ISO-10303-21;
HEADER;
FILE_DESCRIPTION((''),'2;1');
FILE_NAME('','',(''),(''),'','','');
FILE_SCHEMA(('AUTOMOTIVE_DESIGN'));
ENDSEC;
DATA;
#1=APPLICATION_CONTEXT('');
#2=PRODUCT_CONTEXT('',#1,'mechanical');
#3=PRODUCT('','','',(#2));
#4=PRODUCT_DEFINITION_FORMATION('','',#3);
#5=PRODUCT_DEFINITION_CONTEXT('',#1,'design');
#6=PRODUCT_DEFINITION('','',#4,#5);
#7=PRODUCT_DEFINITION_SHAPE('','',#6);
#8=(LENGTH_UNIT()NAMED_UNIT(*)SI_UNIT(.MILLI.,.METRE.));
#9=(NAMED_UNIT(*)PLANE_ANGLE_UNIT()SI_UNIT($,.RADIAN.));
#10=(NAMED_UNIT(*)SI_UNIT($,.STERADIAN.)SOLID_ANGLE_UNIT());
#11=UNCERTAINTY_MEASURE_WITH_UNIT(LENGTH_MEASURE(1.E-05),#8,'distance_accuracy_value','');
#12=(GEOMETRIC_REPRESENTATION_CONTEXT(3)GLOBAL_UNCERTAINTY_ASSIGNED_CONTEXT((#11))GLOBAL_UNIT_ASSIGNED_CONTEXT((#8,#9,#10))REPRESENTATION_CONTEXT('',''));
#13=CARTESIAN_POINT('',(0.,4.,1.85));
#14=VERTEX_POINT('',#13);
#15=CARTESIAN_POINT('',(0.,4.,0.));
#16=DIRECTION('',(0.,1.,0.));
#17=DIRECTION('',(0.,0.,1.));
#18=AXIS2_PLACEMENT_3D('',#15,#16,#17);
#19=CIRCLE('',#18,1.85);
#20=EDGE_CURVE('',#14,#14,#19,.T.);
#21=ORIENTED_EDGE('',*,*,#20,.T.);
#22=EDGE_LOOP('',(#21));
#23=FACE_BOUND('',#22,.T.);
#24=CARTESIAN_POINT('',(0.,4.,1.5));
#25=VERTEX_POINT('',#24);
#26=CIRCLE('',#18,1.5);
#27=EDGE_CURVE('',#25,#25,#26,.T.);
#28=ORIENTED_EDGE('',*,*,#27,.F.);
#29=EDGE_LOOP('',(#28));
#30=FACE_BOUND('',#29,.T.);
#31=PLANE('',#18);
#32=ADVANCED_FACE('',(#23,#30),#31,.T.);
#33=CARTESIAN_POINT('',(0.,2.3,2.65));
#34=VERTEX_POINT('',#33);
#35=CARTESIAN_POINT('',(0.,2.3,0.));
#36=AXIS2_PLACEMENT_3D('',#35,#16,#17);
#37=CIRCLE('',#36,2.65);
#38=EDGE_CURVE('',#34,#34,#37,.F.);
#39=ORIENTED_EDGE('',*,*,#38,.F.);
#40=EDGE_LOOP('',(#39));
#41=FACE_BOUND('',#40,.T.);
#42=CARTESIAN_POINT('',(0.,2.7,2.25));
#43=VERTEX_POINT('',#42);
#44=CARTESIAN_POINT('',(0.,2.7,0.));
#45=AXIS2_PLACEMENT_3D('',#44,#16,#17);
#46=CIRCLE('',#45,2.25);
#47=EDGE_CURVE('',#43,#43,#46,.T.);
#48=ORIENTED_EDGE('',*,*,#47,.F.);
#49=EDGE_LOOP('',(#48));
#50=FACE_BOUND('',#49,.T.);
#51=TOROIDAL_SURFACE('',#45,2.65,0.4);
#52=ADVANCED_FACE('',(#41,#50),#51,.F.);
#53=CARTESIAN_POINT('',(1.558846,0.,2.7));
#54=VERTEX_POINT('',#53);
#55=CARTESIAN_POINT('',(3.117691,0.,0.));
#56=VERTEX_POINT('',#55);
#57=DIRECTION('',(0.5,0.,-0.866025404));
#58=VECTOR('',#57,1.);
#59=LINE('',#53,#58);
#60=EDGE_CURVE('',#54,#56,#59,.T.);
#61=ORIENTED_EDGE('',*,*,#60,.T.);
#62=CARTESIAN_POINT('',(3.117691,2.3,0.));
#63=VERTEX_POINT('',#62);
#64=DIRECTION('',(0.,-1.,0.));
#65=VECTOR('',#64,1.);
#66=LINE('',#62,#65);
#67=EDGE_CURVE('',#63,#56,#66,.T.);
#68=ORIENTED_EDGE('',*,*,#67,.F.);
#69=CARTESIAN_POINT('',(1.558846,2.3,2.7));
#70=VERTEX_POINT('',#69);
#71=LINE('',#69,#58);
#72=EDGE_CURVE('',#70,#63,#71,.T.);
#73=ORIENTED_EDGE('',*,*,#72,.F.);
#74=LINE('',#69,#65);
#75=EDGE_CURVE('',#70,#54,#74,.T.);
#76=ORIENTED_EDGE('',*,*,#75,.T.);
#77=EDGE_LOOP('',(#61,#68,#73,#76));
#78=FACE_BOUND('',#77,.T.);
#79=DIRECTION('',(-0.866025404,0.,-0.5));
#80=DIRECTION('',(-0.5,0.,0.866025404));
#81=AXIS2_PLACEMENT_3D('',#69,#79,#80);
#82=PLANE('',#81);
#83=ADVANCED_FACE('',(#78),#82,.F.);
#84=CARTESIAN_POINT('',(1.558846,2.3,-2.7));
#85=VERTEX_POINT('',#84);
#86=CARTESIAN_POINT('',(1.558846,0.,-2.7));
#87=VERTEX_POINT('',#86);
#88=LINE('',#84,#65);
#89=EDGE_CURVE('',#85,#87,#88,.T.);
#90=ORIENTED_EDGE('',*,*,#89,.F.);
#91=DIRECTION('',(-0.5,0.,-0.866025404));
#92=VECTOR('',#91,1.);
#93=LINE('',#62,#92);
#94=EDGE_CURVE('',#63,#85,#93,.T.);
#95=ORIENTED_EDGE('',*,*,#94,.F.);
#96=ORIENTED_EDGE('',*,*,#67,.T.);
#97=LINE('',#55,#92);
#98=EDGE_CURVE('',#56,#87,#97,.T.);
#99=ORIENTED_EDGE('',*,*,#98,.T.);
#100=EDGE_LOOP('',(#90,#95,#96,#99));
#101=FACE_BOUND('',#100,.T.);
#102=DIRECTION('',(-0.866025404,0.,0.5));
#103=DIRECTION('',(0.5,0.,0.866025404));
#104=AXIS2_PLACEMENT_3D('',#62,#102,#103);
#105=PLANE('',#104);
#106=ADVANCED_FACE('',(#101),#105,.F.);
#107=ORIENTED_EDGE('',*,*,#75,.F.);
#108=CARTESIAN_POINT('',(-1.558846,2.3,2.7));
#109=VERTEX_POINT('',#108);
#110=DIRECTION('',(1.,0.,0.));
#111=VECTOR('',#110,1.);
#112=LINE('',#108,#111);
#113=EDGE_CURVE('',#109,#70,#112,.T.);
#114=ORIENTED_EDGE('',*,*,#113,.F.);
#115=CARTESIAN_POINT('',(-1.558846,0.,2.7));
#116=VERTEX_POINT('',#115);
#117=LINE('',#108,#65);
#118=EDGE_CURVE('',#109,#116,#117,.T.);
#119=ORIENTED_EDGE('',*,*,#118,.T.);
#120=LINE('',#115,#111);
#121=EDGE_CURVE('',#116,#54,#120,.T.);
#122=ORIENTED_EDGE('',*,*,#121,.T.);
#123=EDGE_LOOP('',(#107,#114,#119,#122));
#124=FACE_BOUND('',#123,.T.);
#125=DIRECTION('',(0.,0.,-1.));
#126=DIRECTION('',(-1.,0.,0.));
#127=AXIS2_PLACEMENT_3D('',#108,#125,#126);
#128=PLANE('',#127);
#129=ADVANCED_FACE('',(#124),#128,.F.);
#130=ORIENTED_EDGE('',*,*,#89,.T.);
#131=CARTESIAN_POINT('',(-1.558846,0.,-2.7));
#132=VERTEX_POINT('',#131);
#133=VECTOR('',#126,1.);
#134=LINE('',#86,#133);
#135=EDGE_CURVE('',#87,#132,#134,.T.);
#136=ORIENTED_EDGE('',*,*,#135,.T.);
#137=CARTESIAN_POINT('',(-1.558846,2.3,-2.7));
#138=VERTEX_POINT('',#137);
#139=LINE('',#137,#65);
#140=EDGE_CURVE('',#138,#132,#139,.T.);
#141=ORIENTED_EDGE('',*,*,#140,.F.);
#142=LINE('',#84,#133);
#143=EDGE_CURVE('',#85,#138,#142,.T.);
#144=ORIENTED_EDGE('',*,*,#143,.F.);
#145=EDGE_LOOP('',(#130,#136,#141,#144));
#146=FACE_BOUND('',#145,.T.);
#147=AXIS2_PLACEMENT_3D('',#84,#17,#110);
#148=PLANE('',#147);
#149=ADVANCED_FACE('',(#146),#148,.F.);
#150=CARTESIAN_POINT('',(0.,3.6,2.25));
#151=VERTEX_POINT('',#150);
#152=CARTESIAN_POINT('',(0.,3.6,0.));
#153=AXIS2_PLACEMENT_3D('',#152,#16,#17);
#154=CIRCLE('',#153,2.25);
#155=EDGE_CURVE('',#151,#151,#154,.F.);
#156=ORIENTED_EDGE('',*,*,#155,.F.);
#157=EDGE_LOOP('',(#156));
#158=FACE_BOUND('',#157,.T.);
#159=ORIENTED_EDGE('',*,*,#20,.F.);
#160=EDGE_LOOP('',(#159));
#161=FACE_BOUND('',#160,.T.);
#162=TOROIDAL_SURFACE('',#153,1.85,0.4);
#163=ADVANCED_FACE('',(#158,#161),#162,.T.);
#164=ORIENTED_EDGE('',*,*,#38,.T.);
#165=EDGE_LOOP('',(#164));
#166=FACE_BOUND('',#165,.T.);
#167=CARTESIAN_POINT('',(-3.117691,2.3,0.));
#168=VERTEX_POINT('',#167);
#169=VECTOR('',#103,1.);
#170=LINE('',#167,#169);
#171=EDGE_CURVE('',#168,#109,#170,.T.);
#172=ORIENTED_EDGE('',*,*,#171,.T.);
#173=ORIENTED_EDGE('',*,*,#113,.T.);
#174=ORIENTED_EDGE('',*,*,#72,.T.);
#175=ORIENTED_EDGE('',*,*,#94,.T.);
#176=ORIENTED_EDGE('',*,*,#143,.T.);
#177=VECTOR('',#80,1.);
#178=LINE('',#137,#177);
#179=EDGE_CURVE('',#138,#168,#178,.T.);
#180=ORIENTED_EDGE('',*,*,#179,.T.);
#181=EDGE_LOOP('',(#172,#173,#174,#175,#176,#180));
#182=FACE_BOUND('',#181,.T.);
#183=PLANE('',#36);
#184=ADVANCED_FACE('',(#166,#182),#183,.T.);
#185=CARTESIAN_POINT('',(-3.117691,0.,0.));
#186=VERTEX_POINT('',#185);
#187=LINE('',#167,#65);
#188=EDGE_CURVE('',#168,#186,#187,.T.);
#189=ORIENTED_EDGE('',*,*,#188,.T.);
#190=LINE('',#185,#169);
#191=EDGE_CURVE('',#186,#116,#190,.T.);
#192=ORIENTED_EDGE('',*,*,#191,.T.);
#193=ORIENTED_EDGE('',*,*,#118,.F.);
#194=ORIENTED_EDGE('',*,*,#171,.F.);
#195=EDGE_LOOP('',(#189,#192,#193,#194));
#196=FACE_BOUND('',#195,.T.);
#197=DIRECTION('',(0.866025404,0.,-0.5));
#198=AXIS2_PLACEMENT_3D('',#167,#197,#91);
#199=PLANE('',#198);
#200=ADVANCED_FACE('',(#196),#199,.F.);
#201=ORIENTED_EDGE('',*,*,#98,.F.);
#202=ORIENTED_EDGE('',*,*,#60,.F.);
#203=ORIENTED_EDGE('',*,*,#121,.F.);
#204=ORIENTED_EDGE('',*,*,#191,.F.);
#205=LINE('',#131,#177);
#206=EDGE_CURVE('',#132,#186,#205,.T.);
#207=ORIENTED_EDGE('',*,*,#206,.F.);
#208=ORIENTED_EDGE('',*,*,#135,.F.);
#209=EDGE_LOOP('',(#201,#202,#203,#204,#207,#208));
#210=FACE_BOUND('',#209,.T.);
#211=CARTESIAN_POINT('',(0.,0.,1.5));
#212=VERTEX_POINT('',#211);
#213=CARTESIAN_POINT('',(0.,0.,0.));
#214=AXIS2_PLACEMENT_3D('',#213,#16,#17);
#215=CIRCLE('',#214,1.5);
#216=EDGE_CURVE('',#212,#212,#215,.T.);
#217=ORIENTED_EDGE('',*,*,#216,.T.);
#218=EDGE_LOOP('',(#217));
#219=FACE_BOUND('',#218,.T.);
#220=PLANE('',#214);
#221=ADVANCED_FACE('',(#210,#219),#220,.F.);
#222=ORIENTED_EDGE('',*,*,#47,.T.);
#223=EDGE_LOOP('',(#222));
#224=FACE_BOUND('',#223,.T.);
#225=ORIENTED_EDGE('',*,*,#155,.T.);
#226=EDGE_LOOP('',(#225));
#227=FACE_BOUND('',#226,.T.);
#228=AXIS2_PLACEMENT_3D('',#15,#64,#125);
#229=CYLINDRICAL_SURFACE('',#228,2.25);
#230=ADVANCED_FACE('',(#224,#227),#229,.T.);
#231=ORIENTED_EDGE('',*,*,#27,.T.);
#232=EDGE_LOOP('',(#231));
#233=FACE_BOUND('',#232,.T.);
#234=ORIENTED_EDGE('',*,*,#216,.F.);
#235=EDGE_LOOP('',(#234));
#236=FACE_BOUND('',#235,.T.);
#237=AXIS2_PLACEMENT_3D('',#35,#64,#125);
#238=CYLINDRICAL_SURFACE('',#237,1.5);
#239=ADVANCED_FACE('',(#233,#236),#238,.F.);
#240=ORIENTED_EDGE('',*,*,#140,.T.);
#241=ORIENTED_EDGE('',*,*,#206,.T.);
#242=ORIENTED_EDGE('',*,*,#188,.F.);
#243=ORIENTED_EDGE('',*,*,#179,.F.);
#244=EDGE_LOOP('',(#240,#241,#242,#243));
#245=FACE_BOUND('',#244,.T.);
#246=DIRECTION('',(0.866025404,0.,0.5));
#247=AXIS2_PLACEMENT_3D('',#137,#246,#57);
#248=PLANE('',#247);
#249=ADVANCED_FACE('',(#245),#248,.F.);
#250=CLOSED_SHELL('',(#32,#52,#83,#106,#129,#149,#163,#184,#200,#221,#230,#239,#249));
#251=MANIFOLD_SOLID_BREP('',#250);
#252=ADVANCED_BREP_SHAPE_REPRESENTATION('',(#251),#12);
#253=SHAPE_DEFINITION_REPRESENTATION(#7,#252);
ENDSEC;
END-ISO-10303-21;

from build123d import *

# Parameters (mm, degrees)
SKETCH_1_R      = 1.5
EXTRUDE_1_DEPTH = 2.3
SKETCH_2_R      = 2.25
SKETCH_2_R_2    = 1.5
EXTRUDE_2_DEPTH = 1.7
FILLET_1_R      = 0.4


with BuildPart() as part:
    # 草图1 → 凸台-拉伸1 (new body)
    with BuildSketch(Plane(origin=(0, 0, 0), x_dir=(1, 0, 0), z_dir=(0, 1, 0))):
        Polygon((3.117691454, 0), (1.558845727, 2.7), (-1.558845727, 2.7), (-3.117691454, 0), (-1.558845727, -2.7), (1.558845727, -2.7), align=None)
        Circle(SKETCH_1_R, mode=Mode.SUBTRACT)
    extrude(amount=EXTRUDE_1_DEPTH)

    # 草图2 → 凸台-拉伸2 (add)
    with BuildSketch(Plane(origin=(0, 2.3, 0), x_dir=(1, 0, 0), z_dir=(0, 1, 0))):
        Circle(SKETCH_2_R)
        Circle(SKETCH_2_R_2, mode=Mode.SUBTRACT)
    extrude(amount=EXTRUDE_2_DEPTH)

    # 圆角1
    fillet_1_edges = [part.edges().sort_by_distance(p)[0] for p in [
        (-2.25, 2.3, 0),
        (-2.25, 4, 0),
    ]]
    fillet(fillet_1_edges, radius=FILLET_1_R)


solid = part.part
